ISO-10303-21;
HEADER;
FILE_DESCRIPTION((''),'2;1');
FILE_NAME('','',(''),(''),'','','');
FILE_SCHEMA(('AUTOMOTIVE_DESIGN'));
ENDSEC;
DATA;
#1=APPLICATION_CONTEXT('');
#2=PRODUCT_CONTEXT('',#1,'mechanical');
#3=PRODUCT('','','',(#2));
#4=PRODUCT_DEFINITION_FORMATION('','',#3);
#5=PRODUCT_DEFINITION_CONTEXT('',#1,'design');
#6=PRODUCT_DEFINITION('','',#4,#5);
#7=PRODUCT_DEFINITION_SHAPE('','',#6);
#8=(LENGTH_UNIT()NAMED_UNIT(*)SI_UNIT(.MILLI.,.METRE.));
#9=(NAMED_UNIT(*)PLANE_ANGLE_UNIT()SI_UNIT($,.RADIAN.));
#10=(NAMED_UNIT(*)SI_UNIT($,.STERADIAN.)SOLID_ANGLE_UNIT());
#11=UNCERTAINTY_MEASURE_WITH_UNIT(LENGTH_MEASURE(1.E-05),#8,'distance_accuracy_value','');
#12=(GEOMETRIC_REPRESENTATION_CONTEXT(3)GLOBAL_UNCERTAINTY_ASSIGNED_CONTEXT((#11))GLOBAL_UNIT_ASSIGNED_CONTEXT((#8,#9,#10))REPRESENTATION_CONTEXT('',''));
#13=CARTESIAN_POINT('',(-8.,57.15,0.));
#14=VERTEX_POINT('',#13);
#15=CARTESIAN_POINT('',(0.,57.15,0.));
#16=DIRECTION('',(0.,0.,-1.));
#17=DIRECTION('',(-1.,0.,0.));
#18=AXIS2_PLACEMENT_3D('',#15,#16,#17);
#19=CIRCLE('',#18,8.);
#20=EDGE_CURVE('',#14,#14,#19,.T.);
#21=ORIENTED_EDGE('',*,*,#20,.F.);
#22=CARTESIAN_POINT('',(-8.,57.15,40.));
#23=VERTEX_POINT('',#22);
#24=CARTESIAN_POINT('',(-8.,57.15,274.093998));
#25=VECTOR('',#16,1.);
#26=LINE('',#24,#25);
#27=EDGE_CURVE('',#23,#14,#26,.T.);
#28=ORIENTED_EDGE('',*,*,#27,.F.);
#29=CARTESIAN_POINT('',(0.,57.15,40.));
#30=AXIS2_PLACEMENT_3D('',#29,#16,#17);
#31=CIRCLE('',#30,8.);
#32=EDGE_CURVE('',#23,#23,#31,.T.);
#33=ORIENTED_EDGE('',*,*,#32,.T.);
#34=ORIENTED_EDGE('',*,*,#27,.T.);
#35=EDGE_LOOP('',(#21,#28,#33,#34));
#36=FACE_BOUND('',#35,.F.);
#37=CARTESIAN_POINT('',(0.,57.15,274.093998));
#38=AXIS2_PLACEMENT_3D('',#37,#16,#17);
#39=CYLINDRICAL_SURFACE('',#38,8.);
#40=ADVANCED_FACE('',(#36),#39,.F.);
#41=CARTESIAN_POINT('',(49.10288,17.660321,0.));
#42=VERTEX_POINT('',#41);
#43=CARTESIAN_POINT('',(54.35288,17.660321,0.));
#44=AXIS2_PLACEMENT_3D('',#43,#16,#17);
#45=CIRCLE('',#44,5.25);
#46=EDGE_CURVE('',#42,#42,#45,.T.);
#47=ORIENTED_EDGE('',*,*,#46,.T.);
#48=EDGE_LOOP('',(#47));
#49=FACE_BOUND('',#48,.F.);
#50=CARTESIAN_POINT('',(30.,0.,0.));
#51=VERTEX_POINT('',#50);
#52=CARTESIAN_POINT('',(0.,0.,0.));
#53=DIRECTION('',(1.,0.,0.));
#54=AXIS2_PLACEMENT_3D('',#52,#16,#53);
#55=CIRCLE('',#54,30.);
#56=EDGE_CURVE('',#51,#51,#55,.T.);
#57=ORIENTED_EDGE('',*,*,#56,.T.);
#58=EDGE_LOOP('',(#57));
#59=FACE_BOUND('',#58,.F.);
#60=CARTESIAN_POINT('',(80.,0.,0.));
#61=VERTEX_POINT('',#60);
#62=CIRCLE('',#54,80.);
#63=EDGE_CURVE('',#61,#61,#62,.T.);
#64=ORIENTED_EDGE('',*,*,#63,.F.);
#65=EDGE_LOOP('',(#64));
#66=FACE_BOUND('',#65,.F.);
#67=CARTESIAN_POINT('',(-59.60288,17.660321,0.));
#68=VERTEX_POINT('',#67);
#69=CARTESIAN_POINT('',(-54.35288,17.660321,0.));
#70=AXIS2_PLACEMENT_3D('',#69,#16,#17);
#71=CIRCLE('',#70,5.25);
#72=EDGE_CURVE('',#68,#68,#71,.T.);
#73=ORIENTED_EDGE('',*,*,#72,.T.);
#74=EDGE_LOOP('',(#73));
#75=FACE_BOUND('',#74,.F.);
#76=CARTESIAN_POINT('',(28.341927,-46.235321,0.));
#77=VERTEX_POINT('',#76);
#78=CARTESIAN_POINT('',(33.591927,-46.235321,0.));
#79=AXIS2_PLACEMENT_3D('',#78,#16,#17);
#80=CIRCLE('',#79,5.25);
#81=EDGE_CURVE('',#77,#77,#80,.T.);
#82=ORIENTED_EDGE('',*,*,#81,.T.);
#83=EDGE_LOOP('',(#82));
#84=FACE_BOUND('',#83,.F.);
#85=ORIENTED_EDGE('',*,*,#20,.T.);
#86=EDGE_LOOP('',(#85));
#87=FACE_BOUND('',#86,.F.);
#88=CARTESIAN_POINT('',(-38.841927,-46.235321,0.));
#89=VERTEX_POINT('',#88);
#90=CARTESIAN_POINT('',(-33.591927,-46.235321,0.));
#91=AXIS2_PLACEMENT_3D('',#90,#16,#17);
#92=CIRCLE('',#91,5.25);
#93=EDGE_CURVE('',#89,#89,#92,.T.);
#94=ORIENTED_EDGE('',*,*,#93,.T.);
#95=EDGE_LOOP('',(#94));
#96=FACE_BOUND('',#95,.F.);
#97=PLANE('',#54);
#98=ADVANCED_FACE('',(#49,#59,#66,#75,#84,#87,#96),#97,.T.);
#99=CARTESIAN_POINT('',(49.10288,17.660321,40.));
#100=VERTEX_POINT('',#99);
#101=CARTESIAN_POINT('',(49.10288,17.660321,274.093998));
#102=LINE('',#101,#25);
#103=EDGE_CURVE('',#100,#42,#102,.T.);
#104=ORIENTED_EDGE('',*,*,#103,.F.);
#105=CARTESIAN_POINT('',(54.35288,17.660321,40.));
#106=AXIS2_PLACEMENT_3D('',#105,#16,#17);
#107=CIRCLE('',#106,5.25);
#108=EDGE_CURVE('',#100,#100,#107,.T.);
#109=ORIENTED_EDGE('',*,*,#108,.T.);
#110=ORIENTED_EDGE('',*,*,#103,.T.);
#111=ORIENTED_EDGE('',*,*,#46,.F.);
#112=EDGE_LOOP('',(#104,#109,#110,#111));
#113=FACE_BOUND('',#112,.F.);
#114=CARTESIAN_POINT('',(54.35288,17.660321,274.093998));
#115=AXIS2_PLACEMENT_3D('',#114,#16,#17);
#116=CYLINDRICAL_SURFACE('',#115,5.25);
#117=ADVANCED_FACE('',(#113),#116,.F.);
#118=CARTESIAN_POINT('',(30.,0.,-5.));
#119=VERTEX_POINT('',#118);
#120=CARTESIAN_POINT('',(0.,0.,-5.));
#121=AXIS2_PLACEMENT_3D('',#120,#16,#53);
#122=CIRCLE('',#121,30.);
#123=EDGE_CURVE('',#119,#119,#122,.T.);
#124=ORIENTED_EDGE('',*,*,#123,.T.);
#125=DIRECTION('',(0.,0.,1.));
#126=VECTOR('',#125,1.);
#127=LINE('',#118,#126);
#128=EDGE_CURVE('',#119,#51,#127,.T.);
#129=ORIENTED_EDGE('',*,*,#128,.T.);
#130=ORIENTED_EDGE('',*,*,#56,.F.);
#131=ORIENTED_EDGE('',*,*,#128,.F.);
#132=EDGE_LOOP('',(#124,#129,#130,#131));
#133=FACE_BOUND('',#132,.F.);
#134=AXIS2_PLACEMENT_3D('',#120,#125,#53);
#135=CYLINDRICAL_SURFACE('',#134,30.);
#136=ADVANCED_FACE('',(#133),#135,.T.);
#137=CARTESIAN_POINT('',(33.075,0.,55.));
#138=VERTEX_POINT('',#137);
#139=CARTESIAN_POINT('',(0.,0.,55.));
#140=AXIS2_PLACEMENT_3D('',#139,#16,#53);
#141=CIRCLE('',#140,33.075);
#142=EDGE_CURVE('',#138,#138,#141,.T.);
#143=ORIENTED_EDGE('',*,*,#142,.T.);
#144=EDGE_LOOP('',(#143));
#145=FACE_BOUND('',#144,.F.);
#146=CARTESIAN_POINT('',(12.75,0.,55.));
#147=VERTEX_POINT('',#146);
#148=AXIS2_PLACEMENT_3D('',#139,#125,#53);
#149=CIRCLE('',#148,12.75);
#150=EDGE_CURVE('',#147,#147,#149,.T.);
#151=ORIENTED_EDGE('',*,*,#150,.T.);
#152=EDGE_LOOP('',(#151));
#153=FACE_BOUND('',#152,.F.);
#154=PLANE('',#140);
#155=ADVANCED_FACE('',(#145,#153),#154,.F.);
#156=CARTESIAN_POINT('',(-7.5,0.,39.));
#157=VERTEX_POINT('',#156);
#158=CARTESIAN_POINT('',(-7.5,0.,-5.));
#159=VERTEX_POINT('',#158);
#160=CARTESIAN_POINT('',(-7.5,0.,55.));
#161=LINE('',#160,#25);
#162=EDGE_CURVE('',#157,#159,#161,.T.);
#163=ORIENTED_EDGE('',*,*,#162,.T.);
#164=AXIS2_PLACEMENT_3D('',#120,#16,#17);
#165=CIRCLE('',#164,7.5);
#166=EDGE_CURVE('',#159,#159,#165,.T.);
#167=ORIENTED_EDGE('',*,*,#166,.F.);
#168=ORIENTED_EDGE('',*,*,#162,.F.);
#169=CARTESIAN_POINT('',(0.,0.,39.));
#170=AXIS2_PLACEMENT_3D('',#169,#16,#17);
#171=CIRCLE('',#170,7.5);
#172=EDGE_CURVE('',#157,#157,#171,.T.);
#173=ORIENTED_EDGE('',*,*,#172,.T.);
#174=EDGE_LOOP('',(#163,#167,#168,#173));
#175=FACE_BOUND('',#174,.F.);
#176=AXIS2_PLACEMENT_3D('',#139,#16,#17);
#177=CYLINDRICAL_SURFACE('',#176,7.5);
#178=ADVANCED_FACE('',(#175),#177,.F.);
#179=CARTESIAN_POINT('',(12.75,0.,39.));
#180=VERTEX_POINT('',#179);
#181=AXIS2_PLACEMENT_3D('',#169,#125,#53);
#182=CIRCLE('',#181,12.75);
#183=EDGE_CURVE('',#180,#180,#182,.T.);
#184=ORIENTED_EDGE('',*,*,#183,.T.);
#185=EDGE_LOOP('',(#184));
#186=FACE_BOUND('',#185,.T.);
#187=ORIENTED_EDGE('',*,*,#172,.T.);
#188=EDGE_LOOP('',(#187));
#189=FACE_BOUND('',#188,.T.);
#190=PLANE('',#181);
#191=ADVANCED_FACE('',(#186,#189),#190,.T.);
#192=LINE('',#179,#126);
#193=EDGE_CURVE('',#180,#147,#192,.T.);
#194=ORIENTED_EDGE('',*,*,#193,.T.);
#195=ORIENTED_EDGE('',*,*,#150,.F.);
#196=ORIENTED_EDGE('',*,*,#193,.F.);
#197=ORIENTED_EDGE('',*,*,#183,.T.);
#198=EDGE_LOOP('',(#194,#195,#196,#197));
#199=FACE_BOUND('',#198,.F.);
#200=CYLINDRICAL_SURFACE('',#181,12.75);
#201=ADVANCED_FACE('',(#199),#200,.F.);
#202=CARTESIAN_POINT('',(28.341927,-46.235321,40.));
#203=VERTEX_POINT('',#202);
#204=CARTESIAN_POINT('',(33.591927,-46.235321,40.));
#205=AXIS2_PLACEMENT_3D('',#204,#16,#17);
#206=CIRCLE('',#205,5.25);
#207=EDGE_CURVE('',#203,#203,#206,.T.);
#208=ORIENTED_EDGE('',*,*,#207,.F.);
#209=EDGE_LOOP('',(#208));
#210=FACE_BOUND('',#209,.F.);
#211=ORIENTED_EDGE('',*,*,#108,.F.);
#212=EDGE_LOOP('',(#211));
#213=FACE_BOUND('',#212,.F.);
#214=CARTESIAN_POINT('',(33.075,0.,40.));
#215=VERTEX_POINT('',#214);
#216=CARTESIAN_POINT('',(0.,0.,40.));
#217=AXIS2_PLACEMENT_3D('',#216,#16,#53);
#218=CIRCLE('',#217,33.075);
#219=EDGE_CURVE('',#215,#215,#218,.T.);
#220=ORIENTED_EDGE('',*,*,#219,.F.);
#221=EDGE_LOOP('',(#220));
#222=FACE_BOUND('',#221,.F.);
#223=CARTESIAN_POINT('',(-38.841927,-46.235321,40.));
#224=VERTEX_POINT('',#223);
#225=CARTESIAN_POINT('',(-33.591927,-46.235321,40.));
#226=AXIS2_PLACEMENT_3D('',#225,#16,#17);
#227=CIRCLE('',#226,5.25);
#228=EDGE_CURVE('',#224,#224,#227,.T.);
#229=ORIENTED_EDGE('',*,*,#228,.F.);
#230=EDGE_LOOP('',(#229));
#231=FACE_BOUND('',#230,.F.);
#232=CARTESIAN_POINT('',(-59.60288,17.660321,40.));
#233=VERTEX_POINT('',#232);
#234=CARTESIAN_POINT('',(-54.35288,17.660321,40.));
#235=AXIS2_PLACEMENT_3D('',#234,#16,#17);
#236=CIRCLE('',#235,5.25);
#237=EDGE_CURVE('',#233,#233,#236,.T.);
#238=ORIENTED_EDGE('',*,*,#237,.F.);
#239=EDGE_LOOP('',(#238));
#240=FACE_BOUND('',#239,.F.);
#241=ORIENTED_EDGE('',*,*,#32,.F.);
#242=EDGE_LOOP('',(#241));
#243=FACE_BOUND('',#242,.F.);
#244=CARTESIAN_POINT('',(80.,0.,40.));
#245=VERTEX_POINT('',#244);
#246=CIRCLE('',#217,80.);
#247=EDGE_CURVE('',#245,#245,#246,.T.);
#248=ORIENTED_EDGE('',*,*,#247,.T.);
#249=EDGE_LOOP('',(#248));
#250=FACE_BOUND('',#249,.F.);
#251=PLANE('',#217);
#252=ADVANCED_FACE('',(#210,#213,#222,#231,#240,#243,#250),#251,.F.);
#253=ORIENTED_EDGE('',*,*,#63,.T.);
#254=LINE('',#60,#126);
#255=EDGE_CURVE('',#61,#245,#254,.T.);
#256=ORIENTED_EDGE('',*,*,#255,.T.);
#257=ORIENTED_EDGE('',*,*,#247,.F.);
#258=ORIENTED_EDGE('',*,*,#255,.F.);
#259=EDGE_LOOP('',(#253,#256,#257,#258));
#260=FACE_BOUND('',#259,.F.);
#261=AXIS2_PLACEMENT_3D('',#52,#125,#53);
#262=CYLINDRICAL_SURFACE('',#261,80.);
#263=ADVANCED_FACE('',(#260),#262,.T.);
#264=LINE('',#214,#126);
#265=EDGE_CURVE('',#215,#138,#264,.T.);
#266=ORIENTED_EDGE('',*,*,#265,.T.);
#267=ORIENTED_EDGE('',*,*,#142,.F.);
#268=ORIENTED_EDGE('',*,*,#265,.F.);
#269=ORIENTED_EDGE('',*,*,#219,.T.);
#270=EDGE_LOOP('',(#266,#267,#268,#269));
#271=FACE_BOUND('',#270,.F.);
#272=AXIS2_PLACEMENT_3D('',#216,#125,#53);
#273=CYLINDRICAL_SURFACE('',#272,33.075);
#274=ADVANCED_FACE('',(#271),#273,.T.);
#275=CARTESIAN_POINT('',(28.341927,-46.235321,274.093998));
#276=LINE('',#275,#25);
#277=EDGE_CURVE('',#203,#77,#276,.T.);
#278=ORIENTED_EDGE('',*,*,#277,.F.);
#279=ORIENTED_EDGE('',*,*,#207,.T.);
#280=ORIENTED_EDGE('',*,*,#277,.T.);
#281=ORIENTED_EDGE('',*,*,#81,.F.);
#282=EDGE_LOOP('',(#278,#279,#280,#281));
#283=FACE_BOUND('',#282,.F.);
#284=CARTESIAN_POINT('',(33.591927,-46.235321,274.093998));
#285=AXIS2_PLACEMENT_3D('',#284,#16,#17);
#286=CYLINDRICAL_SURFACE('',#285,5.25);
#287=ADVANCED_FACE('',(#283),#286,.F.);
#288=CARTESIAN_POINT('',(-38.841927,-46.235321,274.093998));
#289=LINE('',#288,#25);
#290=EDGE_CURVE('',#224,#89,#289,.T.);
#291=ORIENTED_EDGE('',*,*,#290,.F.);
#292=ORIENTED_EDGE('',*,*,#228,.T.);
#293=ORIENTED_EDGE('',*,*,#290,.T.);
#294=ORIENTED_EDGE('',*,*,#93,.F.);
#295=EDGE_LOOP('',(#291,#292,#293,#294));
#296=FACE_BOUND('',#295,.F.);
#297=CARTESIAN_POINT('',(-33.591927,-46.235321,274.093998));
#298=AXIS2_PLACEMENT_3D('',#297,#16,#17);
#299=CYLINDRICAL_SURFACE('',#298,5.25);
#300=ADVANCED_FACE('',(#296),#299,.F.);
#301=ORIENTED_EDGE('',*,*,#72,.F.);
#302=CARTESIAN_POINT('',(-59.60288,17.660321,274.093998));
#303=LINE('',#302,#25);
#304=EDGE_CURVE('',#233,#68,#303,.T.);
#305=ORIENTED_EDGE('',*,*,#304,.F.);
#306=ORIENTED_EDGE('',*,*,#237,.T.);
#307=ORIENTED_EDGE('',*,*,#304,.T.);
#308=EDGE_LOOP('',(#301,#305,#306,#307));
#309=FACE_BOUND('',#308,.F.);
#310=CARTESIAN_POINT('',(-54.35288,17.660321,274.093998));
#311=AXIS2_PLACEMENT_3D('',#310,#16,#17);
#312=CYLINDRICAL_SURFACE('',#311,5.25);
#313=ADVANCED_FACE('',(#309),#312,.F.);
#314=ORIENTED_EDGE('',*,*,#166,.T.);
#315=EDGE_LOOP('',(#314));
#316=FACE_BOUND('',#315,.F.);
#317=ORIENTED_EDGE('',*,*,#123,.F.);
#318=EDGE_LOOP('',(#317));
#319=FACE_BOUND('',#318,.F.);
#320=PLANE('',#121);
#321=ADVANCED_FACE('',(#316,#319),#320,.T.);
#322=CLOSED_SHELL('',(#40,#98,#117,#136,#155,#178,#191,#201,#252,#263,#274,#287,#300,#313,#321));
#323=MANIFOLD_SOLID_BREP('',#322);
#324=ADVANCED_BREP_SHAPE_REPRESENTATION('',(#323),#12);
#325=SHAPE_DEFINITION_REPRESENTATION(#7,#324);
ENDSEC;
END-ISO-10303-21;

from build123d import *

# Parameters (mm, degrees)
F4_D           = 15
F4_CBORE_D     = 25.5
F4_CBORE_DEPTH = 16
F5_D           = 10.5
F6_D           = 16


with BuildPart() as f1:
    # F0 (on Front) → F1 (revolve)
    with BuildSketch(Plane.XZ):
        Polygon((30, -5), (30, 0), (80, 0), (80, 40), (33.075, 40), (33.075, 55), (0, 55), (0, 0), (0, -5), align=None)
    revolve(axis=Axis((0, 0, 27.5), (0, 0, -1)))

    # F4 (through all)
    with Locations(Plane.XY.offset(55)):
        with Locations((0, 0)):
            CounterBoreHole(F4_D / 2, F4_CBORE_D / 2, F4_CBORE_DEPTH)

    # F5 (through all)
    with Locations(Plane.XY.offset(40)):
        with Locations((-54.3528799063, 17.6603212285), (-33.5919271685, -46.2353212285), (33.5919271685, -46.2353212285), (54.3528799063, 17.6603212285)):
            Hole(F5_D / 2)

    # F6 (through all)
    with Locations(Plane.XY.offset(40)):
        with Locations((0, 57.15)):
            Hole(F6_D / 2)


solid = f1.part
